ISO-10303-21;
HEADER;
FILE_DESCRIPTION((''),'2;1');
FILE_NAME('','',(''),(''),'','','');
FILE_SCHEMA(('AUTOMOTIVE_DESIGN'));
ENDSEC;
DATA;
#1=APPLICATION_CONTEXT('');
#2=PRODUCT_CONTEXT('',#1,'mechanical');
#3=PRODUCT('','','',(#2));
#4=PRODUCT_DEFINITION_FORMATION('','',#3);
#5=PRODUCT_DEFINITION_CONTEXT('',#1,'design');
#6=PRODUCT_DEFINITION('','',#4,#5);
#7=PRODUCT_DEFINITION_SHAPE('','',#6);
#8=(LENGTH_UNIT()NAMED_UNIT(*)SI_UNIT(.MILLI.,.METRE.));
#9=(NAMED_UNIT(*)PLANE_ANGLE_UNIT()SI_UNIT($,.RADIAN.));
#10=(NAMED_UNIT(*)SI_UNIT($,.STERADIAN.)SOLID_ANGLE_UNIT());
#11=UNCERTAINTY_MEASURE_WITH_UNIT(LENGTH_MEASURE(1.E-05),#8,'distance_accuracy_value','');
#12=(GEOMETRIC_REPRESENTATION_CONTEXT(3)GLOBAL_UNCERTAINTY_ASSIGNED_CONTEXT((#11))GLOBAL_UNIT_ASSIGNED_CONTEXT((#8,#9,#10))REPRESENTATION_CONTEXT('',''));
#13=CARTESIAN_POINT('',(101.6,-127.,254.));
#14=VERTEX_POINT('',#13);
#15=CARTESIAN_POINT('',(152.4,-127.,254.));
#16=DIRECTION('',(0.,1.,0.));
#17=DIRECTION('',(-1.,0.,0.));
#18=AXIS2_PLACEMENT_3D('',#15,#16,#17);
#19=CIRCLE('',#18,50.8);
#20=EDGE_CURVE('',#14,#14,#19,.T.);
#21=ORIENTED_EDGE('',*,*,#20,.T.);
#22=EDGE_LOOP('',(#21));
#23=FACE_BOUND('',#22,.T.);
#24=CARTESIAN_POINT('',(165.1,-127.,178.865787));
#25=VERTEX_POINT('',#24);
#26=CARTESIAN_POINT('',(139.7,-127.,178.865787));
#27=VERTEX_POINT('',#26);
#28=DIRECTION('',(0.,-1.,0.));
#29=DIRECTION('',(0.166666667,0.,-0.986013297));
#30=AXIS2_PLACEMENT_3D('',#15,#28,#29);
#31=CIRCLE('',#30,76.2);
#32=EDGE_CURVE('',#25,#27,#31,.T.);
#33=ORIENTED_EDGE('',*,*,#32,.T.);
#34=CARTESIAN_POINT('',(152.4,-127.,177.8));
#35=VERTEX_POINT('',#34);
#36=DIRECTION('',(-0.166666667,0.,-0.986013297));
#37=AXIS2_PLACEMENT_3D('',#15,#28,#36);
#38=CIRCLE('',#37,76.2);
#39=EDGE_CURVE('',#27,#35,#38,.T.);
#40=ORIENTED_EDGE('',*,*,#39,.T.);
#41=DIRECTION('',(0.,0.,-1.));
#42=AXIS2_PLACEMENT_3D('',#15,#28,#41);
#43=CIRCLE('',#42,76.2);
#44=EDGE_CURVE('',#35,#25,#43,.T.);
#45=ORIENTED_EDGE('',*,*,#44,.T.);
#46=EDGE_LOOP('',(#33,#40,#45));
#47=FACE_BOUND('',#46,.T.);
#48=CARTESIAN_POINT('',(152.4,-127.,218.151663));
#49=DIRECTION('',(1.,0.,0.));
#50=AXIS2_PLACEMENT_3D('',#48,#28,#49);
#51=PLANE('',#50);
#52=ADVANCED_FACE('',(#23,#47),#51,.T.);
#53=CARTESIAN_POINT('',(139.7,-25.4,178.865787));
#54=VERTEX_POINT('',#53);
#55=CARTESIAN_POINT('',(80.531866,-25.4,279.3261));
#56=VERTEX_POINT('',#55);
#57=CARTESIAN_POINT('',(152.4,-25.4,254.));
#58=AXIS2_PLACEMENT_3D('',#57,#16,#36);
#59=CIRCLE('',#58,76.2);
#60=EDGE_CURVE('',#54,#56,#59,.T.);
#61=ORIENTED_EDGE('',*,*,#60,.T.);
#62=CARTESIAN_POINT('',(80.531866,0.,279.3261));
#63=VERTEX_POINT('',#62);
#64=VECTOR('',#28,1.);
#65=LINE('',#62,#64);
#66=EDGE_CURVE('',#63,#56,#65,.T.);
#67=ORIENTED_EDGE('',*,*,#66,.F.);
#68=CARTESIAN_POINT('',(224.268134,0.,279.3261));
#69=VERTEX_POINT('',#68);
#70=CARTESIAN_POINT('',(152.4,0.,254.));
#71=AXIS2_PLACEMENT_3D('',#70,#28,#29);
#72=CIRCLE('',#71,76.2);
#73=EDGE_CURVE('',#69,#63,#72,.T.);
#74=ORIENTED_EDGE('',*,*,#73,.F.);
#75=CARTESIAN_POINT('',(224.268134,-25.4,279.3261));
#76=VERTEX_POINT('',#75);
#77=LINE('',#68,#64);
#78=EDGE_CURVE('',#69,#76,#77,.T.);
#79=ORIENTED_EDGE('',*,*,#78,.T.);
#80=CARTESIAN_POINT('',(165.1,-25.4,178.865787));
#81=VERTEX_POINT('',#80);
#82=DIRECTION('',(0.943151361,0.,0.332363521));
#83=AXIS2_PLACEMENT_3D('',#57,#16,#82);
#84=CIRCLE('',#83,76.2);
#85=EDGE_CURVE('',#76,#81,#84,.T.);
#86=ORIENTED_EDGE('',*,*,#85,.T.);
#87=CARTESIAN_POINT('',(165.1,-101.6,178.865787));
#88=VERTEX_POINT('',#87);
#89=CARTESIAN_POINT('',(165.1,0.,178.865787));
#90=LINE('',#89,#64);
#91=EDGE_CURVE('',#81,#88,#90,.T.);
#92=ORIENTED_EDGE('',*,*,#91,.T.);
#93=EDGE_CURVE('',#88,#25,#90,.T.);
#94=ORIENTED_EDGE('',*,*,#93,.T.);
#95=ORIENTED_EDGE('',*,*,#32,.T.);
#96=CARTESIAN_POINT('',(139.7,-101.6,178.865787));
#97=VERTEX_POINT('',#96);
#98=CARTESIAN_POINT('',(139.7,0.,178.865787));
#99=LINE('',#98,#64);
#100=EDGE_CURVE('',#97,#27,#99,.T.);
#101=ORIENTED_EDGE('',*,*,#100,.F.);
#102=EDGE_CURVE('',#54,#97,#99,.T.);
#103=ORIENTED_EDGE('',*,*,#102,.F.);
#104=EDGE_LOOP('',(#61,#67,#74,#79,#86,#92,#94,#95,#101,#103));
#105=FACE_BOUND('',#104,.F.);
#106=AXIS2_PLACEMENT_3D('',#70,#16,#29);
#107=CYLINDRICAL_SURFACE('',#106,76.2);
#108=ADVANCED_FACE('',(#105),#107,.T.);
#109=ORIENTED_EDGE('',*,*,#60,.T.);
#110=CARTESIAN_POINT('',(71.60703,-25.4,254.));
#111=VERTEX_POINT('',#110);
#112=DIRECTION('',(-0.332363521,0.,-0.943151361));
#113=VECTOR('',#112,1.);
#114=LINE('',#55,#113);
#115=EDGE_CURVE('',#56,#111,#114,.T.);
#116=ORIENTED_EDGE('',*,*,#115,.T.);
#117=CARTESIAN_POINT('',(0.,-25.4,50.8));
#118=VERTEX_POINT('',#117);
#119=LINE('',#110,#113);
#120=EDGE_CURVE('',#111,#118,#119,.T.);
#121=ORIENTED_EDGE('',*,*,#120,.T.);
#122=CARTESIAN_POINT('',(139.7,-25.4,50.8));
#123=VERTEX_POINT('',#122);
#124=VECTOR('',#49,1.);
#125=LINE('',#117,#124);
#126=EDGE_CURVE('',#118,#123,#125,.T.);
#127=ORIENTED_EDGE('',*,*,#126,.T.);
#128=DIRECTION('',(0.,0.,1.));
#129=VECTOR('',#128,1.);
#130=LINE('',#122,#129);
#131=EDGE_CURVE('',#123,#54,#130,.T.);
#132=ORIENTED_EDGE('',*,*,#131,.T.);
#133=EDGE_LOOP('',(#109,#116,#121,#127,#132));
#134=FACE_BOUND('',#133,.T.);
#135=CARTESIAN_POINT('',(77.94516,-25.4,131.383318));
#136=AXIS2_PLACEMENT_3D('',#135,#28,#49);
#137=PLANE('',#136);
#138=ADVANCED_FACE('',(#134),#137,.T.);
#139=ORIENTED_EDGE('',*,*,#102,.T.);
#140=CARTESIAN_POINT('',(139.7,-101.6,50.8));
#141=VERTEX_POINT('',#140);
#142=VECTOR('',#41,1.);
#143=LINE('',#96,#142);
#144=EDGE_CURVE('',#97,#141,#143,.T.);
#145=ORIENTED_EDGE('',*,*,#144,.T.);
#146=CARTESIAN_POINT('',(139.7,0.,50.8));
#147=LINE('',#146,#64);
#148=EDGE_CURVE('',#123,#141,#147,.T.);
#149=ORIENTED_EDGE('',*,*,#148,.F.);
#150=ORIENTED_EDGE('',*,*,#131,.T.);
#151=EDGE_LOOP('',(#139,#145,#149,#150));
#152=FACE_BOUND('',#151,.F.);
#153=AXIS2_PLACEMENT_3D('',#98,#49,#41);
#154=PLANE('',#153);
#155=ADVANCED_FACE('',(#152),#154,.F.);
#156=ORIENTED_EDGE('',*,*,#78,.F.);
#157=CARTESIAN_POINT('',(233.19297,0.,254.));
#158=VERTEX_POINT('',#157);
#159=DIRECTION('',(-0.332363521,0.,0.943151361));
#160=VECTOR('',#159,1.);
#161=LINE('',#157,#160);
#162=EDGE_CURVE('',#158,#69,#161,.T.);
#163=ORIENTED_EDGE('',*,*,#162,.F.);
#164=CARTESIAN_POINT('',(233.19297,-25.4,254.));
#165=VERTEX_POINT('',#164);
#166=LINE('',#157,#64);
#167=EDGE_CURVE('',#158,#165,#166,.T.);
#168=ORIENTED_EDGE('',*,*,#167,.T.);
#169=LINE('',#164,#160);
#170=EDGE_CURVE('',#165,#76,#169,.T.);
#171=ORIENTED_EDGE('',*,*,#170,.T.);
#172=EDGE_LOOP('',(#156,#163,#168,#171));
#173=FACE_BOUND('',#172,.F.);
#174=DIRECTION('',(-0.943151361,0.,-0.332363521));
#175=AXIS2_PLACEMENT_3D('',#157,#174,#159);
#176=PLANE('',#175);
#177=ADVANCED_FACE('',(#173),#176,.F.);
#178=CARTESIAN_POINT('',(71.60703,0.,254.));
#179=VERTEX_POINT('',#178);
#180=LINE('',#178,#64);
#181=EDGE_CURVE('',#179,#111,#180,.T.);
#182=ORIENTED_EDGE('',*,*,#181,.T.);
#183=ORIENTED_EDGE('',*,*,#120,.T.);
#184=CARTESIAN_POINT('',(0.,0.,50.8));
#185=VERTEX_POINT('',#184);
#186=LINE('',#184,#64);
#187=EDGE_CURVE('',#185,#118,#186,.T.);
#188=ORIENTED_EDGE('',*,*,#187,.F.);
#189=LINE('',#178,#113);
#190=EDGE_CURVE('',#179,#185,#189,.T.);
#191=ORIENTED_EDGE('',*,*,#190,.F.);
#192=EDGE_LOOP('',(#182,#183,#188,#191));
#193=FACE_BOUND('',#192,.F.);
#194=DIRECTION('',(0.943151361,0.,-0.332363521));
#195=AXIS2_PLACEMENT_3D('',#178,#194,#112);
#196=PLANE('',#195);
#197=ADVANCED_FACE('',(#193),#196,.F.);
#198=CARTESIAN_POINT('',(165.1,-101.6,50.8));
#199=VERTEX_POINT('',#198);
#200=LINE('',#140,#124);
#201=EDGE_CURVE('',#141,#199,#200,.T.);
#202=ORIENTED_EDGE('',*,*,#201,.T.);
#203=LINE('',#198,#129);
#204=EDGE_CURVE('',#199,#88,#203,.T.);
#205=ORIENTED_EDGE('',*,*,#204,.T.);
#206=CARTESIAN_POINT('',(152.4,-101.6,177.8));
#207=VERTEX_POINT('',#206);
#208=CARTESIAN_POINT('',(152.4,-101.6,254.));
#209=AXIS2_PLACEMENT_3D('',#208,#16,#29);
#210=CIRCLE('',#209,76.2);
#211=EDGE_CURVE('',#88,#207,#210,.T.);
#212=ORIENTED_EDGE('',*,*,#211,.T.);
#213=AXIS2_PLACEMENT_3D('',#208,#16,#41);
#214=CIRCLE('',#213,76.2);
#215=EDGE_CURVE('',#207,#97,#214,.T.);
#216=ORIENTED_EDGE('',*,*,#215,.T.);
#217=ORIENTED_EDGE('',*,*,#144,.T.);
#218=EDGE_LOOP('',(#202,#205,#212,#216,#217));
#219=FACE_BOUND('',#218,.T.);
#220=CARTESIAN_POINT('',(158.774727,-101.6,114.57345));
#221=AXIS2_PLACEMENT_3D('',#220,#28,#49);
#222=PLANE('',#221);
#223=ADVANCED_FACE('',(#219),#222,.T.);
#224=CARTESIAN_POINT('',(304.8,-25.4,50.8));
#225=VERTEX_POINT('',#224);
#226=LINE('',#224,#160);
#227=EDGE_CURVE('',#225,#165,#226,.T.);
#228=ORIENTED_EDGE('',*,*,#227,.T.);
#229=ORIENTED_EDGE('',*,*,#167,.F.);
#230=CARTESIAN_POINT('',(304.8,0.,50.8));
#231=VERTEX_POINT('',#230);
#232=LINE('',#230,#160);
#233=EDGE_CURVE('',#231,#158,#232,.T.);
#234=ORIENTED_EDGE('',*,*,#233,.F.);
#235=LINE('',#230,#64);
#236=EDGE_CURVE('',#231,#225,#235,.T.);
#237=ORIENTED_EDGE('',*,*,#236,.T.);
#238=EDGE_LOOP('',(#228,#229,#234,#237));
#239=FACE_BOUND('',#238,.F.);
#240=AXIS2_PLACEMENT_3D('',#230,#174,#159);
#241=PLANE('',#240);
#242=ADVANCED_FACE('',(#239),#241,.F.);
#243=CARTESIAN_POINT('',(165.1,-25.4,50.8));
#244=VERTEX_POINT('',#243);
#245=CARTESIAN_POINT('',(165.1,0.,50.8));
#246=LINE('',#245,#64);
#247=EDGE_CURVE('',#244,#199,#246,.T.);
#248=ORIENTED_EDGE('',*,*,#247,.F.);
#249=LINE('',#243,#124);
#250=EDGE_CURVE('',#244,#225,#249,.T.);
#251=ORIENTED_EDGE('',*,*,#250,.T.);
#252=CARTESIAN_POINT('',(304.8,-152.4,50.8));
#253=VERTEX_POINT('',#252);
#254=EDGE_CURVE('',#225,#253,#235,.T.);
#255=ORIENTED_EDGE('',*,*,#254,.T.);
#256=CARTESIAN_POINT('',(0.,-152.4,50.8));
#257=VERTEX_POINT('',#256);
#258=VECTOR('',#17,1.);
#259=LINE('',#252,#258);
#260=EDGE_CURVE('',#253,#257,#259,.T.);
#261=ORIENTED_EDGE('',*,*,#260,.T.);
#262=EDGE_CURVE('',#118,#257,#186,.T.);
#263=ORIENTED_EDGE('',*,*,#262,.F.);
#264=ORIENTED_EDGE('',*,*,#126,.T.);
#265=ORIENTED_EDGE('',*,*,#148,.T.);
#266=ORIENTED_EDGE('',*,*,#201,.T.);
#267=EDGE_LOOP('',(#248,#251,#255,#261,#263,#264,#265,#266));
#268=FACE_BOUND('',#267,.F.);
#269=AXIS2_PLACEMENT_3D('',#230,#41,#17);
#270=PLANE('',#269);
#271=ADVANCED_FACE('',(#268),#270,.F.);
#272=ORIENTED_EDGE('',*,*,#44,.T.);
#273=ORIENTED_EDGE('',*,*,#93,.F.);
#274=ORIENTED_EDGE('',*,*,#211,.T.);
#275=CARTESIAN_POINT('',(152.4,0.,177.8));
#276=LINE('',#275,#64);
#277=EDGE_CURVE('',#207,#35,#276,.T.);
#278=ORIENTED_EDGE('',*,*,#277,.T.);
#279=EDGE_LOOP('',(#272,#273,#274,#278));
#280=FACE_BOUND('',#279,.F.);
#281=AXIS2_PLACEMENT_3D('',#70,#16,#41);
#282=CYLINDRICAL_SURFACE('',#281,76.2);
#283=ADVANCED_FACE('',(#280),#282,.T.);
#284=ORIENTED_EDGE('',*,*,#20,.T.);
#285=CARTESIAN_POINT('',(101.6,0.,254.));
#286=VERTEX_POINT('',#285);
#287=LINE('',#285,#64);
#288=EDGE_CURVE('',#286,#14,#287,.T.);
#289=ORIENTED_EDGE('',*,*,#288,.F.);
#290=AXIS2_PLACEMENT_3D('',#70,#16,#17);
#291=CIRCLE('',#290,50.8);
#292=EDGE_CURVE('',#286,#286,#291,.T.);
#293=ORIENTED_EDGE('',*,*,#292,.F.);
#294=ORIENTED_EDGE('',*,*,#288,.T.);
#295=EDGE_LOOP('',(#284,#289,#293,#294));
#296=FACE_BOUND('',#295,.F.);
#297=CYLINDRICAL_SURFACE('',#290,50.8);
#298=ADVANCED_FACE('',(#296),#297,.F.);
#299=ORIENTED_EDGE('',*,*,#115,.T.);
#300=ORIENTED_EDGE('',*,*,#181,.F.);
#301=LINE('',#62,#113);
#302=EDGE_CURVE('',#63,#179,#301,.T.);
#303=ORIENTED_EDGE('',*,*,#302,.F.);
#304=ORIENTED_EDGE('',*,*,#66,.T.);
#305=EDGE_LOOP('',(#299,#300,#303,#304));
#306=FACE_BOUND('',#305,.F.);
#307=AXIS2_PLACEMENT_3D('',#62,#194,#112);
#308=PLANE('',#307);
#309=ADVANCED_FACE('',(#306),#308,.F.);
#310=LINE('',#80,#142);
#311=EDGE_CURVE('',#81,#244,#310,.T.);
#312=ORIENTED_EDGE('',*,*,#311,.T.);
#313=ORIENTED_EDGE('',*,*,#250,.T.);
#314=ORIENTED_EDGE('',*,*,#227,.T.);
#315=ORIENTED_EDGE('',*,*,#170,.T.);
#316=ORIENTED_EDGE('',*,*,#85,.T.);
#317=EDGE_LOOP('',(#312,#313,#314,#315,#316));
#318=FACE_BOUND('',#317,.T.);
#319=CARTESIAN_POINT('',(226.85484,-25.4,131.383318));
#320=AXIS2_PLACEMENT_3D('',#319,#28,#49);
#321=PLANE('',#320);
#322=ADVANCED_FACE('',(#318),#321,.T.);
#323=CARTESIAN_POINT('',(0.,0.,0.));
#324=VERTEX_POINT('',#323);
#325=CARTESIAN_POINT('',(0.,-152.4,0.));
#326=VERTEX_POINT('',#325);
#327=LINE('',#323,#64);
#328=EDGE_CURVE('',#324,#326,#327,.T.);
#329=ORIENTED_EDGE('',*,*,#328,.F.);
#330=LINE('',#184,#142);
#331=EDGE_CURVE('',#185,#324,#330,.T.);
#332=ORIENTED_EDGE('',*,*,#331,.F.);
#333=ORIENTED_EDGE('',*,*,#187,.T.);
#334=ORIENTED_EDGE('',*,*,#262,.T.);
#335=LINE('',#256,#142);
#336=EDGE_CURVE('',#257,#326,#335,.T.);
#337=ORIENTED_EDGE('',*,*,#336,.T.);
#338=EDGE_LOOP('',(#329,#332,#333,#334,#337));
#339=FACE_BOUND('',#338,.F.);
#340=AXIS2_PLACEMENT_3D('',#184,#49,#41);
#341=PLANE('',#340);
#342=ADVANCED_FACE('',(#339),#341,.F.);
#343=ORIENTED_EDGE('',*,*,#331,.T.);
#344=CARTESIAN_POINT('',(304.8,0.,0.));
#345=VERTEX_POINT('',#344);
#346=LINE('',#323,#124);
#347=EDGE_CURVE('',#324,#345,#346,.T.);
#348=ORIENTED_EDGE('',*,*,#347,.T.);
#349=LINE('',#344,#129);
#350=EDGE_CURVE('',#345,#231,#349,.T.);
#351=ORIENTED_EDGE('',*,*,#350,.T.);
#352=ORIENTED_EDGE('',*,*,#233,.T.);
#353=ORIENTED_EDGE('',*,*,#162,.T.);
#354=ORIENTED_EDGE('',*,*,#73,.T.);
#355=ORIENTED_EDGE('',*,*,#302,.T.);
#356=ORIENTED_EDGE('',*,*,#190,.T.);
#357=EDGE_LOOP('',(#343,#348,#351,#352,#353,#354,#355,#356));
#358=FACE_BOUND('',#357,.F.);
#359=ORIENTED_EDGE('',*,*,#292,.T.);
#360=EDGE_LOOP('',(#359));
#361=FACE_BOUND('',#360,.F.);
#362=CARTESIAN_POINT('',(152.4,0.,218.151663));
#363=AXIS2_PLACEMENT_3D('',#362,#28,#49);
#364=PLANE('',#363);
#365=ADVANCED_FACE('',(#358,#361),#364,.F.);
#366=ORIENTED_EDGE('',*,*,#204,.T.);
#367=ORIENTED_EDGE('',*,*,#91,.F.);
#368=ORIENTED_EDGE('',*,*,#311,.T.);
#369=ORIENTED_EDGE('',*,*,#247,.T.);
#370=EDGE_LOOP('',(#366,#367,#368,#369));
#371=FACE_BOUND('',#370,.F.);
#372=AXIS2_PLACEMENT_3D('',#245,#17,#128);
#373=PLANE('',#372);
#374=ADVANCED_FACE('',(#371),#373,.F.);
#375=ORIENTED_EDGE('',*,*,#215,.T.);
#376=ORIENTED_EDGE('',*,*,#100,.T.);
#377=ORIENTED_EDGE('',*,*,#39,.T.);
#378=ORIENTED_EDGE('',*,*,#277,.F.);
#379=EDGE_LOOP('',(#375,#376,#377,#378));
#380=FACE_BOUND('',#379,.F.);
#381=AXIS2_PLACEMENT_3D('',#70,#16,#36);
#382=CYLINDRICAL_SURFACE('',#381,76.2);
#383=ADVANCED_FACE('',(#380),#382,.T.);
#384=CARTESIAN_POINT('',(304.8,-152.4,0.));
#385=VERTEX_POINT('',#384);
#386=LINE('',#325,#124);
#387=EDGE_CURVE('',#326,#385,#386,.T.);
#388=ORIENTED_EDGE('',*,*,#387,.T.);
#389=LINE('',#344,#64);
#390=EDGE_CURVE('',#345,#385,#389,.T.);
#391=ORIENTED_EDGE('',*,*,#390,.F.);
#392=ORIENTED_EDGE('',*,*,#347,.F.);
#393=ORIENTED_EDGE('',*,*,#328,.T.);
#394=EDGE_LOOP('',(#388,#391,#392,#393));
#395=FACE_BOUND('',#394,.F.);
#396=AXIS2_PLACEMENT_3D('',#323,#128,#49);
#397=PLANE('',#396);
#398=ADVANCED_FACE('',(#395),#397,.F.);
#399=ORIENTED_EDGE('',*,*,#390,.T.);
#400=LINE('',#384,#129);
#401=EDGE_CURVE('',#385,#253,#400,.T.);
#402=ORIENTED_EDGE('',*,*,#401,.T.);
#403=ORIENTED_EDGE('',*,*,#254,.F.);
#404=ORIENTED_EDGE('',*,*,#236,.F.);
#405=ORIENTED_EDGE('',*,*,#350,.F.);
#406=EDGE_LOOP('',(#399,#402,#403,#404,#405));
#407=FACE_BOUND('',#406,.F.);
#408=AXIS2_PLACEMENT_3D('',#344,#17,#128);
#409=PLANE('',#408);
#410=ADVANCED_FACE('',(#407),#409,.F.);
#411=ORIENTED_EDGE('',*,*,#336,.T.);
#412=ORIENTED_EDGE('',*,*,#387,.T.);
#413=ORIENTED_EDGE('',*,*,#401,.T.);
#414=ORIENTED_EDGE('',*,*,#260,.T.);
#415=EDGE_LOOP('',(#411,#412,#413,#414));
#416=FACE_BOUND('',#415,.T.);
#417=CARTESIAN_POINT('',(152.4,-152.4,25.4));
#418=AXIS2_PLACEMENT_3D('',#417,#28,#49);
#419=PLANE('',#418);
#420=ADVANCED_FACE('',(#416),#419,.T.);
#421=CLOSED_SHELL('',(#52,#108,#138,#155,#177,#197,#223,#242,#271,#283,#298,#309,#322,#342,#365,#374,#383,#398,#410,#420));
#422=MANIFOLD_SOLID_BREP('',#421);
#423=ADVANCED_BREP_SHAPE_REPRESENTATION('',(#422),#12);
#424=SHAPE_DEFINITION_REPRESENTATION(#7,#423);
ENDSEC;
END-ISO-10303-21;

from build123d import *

# Parameters (mm, degrees)
F1_DEPTH = 152.4
F2_DEPTH = 25.4
F3_DEPTH = 101.6
F4_DEPTH = 127


with BuildPart() as f1:
    # F0 (on Front) → F1 (new body)
    with BuildSketch(Plane.XZ):
        Polygon((0, 50.8), (0, 0), (304.8, 0), (304.8, 50.8), (165.1, 50.8), (152.4, 50.8), (139.7, 50.8), align=None)
    extrude(amount=F1_DEPTH)

    # F0 (on Front) → F2 (join)
    with BuildSketch(Plane.XZ):
        with BuildLine():
            Line((165.1, 50.8), (304.8, 50.8))
            Line((304.8, 50.8), (233.192970397, 254))
            Line((233.192970397, 254), (228.6, 254))
            ThreePointArc((228.6, 254), (210.5987113259, 204.8131115032), (165.1, 178.8657867546))
            Line((165.1, 178.8657867546), (165.1, 50.8))
        make_face()
        with BuildLine():
            Line((71.607029603, 254), (0, 50.8))
            Line((0, 50.8), (139.7, 50.8))
            Line((139.7, 50.8), (139.7, 178.8657867546))
            ThreePointArc((139.7, 178.8657867546), (94.2012886741, 204.8131115032), (76.2, 254))
            Line((76.2, 254), (71.607029603, 254))
        make_face()
        with BuildLine():
            Line((80.5318662816, 279.3261002888), (71.607029603, 254))
            Line((71.607029603, 254), (76.2, 254))
            ThreePointArc((76.2, 254), (77.2907735716, 266.8469492616), (80.5318662816, 279.3261002888))
        make_face()
        with BuildLine():
            Line((228.6, 254), (233.192970397, 254))
            Line((233.192970397, 254), (224.2681337184, 279.3261002888))
            ThreePointArc((224.2681337184, 279.3261002888), (227.5092264284, 266.8469492616), (228.6, 254))
        make_face()
    extrude(amount=F2_DEPTH)

    # F0 (on Front) → F3 (join)
    with BuildSketch(Plane.XZ):
        with BuildLine():
            Line((152.4, 50.8), (165.1, 50.8))
            Line((165.1, 50.8), (165.1, 178.8657867546))
            ThreePointArc((165.1, 178.8657867546), (158.7723210333, 178.0669141635), (152.4, 177.8))
            Line((152.4, 177.8), (152.4, 50.8))
        make_face()
        with BuildLine():
            Line((139.7, 178.8657867546), (139.7, 50.8))
            Line((139.7, 50.8), (152.4, 50.8))
            Line((152.4, 50.8), (152.4, 177.8))
            ThreePointArc((152.4, 177.8), (146.0276789667, 178.0669141635), (139.7, 178.8657867546))
        make_face()
    extrude(amount=F3_DEPTH)

    # F0 (on Front) → F4 (join)
    with BuildSketch(Plane.XZ):
        with BuildLine():
            ThreePointArc((76.2, 254), (94.2012886741, 204.8131115032), (139.7, 178.8657867546))
            Line((139.7, 178.8657867546), (152.4, 178.8657867546))
            Line((152.4, 178.8657867546), (165.1, 178.8657867546))
            ThreePointArc((165.1, 178.8657867546), (210.5987113259, 204.8131115032), (228.6, 254))
            Line((228.6, 254), (203.2, 254))
            ThreePointArc((203.2, 254), (152.4, 203.2), (101.6, 254))
            Line((101.6, 254), (76.2, 254))
        make_face()
        with BuildLine():
            ThreePointArc((80.5318662816, 279.3261002888), (77.2907735716, 266.8469492616), (76.2, 254))
            Line((76.2, 254), (101.6, 254))
            ThreePointArc((101.6, 254), (152.4, 304.8), (203.2, 254))
            Line((203.2, 254), (228.6, 254))
            ThreePointArc((228.6, 254), (227.5092264284, 266.8469492616), (224.2681337184, 279.3261002888))
            ThreePointArc((224.2681337184, 279.3261002888), (152.4, 330.2), (80.5318662816, 279.3261002888))
        make_face()
        with BuildLine():
            Line((152.4, 178.8657867546), (139.7, 178.8657867546))
            ThreePointArc((139.7, 178.8657867546), (146.0276789667, 178.0669141635), (152.4, 177.8))
            Line((152.4, 177.8), (152.4, 178.8657867546))
        make_face()
        with BuildLine():
            ThreePointArc((152.4, 177.8), (158.7723210333, 178.0669141635), (165.1, 178.8657867546))
            Line((165.1, 178.8657867546), (152.4, 178.8657867546))
            Line((152.4, 178.8657867546), (152.4, 177.8))
        make_face()
    extrude(amount=F4_DEPTH)


solid = f1.part
